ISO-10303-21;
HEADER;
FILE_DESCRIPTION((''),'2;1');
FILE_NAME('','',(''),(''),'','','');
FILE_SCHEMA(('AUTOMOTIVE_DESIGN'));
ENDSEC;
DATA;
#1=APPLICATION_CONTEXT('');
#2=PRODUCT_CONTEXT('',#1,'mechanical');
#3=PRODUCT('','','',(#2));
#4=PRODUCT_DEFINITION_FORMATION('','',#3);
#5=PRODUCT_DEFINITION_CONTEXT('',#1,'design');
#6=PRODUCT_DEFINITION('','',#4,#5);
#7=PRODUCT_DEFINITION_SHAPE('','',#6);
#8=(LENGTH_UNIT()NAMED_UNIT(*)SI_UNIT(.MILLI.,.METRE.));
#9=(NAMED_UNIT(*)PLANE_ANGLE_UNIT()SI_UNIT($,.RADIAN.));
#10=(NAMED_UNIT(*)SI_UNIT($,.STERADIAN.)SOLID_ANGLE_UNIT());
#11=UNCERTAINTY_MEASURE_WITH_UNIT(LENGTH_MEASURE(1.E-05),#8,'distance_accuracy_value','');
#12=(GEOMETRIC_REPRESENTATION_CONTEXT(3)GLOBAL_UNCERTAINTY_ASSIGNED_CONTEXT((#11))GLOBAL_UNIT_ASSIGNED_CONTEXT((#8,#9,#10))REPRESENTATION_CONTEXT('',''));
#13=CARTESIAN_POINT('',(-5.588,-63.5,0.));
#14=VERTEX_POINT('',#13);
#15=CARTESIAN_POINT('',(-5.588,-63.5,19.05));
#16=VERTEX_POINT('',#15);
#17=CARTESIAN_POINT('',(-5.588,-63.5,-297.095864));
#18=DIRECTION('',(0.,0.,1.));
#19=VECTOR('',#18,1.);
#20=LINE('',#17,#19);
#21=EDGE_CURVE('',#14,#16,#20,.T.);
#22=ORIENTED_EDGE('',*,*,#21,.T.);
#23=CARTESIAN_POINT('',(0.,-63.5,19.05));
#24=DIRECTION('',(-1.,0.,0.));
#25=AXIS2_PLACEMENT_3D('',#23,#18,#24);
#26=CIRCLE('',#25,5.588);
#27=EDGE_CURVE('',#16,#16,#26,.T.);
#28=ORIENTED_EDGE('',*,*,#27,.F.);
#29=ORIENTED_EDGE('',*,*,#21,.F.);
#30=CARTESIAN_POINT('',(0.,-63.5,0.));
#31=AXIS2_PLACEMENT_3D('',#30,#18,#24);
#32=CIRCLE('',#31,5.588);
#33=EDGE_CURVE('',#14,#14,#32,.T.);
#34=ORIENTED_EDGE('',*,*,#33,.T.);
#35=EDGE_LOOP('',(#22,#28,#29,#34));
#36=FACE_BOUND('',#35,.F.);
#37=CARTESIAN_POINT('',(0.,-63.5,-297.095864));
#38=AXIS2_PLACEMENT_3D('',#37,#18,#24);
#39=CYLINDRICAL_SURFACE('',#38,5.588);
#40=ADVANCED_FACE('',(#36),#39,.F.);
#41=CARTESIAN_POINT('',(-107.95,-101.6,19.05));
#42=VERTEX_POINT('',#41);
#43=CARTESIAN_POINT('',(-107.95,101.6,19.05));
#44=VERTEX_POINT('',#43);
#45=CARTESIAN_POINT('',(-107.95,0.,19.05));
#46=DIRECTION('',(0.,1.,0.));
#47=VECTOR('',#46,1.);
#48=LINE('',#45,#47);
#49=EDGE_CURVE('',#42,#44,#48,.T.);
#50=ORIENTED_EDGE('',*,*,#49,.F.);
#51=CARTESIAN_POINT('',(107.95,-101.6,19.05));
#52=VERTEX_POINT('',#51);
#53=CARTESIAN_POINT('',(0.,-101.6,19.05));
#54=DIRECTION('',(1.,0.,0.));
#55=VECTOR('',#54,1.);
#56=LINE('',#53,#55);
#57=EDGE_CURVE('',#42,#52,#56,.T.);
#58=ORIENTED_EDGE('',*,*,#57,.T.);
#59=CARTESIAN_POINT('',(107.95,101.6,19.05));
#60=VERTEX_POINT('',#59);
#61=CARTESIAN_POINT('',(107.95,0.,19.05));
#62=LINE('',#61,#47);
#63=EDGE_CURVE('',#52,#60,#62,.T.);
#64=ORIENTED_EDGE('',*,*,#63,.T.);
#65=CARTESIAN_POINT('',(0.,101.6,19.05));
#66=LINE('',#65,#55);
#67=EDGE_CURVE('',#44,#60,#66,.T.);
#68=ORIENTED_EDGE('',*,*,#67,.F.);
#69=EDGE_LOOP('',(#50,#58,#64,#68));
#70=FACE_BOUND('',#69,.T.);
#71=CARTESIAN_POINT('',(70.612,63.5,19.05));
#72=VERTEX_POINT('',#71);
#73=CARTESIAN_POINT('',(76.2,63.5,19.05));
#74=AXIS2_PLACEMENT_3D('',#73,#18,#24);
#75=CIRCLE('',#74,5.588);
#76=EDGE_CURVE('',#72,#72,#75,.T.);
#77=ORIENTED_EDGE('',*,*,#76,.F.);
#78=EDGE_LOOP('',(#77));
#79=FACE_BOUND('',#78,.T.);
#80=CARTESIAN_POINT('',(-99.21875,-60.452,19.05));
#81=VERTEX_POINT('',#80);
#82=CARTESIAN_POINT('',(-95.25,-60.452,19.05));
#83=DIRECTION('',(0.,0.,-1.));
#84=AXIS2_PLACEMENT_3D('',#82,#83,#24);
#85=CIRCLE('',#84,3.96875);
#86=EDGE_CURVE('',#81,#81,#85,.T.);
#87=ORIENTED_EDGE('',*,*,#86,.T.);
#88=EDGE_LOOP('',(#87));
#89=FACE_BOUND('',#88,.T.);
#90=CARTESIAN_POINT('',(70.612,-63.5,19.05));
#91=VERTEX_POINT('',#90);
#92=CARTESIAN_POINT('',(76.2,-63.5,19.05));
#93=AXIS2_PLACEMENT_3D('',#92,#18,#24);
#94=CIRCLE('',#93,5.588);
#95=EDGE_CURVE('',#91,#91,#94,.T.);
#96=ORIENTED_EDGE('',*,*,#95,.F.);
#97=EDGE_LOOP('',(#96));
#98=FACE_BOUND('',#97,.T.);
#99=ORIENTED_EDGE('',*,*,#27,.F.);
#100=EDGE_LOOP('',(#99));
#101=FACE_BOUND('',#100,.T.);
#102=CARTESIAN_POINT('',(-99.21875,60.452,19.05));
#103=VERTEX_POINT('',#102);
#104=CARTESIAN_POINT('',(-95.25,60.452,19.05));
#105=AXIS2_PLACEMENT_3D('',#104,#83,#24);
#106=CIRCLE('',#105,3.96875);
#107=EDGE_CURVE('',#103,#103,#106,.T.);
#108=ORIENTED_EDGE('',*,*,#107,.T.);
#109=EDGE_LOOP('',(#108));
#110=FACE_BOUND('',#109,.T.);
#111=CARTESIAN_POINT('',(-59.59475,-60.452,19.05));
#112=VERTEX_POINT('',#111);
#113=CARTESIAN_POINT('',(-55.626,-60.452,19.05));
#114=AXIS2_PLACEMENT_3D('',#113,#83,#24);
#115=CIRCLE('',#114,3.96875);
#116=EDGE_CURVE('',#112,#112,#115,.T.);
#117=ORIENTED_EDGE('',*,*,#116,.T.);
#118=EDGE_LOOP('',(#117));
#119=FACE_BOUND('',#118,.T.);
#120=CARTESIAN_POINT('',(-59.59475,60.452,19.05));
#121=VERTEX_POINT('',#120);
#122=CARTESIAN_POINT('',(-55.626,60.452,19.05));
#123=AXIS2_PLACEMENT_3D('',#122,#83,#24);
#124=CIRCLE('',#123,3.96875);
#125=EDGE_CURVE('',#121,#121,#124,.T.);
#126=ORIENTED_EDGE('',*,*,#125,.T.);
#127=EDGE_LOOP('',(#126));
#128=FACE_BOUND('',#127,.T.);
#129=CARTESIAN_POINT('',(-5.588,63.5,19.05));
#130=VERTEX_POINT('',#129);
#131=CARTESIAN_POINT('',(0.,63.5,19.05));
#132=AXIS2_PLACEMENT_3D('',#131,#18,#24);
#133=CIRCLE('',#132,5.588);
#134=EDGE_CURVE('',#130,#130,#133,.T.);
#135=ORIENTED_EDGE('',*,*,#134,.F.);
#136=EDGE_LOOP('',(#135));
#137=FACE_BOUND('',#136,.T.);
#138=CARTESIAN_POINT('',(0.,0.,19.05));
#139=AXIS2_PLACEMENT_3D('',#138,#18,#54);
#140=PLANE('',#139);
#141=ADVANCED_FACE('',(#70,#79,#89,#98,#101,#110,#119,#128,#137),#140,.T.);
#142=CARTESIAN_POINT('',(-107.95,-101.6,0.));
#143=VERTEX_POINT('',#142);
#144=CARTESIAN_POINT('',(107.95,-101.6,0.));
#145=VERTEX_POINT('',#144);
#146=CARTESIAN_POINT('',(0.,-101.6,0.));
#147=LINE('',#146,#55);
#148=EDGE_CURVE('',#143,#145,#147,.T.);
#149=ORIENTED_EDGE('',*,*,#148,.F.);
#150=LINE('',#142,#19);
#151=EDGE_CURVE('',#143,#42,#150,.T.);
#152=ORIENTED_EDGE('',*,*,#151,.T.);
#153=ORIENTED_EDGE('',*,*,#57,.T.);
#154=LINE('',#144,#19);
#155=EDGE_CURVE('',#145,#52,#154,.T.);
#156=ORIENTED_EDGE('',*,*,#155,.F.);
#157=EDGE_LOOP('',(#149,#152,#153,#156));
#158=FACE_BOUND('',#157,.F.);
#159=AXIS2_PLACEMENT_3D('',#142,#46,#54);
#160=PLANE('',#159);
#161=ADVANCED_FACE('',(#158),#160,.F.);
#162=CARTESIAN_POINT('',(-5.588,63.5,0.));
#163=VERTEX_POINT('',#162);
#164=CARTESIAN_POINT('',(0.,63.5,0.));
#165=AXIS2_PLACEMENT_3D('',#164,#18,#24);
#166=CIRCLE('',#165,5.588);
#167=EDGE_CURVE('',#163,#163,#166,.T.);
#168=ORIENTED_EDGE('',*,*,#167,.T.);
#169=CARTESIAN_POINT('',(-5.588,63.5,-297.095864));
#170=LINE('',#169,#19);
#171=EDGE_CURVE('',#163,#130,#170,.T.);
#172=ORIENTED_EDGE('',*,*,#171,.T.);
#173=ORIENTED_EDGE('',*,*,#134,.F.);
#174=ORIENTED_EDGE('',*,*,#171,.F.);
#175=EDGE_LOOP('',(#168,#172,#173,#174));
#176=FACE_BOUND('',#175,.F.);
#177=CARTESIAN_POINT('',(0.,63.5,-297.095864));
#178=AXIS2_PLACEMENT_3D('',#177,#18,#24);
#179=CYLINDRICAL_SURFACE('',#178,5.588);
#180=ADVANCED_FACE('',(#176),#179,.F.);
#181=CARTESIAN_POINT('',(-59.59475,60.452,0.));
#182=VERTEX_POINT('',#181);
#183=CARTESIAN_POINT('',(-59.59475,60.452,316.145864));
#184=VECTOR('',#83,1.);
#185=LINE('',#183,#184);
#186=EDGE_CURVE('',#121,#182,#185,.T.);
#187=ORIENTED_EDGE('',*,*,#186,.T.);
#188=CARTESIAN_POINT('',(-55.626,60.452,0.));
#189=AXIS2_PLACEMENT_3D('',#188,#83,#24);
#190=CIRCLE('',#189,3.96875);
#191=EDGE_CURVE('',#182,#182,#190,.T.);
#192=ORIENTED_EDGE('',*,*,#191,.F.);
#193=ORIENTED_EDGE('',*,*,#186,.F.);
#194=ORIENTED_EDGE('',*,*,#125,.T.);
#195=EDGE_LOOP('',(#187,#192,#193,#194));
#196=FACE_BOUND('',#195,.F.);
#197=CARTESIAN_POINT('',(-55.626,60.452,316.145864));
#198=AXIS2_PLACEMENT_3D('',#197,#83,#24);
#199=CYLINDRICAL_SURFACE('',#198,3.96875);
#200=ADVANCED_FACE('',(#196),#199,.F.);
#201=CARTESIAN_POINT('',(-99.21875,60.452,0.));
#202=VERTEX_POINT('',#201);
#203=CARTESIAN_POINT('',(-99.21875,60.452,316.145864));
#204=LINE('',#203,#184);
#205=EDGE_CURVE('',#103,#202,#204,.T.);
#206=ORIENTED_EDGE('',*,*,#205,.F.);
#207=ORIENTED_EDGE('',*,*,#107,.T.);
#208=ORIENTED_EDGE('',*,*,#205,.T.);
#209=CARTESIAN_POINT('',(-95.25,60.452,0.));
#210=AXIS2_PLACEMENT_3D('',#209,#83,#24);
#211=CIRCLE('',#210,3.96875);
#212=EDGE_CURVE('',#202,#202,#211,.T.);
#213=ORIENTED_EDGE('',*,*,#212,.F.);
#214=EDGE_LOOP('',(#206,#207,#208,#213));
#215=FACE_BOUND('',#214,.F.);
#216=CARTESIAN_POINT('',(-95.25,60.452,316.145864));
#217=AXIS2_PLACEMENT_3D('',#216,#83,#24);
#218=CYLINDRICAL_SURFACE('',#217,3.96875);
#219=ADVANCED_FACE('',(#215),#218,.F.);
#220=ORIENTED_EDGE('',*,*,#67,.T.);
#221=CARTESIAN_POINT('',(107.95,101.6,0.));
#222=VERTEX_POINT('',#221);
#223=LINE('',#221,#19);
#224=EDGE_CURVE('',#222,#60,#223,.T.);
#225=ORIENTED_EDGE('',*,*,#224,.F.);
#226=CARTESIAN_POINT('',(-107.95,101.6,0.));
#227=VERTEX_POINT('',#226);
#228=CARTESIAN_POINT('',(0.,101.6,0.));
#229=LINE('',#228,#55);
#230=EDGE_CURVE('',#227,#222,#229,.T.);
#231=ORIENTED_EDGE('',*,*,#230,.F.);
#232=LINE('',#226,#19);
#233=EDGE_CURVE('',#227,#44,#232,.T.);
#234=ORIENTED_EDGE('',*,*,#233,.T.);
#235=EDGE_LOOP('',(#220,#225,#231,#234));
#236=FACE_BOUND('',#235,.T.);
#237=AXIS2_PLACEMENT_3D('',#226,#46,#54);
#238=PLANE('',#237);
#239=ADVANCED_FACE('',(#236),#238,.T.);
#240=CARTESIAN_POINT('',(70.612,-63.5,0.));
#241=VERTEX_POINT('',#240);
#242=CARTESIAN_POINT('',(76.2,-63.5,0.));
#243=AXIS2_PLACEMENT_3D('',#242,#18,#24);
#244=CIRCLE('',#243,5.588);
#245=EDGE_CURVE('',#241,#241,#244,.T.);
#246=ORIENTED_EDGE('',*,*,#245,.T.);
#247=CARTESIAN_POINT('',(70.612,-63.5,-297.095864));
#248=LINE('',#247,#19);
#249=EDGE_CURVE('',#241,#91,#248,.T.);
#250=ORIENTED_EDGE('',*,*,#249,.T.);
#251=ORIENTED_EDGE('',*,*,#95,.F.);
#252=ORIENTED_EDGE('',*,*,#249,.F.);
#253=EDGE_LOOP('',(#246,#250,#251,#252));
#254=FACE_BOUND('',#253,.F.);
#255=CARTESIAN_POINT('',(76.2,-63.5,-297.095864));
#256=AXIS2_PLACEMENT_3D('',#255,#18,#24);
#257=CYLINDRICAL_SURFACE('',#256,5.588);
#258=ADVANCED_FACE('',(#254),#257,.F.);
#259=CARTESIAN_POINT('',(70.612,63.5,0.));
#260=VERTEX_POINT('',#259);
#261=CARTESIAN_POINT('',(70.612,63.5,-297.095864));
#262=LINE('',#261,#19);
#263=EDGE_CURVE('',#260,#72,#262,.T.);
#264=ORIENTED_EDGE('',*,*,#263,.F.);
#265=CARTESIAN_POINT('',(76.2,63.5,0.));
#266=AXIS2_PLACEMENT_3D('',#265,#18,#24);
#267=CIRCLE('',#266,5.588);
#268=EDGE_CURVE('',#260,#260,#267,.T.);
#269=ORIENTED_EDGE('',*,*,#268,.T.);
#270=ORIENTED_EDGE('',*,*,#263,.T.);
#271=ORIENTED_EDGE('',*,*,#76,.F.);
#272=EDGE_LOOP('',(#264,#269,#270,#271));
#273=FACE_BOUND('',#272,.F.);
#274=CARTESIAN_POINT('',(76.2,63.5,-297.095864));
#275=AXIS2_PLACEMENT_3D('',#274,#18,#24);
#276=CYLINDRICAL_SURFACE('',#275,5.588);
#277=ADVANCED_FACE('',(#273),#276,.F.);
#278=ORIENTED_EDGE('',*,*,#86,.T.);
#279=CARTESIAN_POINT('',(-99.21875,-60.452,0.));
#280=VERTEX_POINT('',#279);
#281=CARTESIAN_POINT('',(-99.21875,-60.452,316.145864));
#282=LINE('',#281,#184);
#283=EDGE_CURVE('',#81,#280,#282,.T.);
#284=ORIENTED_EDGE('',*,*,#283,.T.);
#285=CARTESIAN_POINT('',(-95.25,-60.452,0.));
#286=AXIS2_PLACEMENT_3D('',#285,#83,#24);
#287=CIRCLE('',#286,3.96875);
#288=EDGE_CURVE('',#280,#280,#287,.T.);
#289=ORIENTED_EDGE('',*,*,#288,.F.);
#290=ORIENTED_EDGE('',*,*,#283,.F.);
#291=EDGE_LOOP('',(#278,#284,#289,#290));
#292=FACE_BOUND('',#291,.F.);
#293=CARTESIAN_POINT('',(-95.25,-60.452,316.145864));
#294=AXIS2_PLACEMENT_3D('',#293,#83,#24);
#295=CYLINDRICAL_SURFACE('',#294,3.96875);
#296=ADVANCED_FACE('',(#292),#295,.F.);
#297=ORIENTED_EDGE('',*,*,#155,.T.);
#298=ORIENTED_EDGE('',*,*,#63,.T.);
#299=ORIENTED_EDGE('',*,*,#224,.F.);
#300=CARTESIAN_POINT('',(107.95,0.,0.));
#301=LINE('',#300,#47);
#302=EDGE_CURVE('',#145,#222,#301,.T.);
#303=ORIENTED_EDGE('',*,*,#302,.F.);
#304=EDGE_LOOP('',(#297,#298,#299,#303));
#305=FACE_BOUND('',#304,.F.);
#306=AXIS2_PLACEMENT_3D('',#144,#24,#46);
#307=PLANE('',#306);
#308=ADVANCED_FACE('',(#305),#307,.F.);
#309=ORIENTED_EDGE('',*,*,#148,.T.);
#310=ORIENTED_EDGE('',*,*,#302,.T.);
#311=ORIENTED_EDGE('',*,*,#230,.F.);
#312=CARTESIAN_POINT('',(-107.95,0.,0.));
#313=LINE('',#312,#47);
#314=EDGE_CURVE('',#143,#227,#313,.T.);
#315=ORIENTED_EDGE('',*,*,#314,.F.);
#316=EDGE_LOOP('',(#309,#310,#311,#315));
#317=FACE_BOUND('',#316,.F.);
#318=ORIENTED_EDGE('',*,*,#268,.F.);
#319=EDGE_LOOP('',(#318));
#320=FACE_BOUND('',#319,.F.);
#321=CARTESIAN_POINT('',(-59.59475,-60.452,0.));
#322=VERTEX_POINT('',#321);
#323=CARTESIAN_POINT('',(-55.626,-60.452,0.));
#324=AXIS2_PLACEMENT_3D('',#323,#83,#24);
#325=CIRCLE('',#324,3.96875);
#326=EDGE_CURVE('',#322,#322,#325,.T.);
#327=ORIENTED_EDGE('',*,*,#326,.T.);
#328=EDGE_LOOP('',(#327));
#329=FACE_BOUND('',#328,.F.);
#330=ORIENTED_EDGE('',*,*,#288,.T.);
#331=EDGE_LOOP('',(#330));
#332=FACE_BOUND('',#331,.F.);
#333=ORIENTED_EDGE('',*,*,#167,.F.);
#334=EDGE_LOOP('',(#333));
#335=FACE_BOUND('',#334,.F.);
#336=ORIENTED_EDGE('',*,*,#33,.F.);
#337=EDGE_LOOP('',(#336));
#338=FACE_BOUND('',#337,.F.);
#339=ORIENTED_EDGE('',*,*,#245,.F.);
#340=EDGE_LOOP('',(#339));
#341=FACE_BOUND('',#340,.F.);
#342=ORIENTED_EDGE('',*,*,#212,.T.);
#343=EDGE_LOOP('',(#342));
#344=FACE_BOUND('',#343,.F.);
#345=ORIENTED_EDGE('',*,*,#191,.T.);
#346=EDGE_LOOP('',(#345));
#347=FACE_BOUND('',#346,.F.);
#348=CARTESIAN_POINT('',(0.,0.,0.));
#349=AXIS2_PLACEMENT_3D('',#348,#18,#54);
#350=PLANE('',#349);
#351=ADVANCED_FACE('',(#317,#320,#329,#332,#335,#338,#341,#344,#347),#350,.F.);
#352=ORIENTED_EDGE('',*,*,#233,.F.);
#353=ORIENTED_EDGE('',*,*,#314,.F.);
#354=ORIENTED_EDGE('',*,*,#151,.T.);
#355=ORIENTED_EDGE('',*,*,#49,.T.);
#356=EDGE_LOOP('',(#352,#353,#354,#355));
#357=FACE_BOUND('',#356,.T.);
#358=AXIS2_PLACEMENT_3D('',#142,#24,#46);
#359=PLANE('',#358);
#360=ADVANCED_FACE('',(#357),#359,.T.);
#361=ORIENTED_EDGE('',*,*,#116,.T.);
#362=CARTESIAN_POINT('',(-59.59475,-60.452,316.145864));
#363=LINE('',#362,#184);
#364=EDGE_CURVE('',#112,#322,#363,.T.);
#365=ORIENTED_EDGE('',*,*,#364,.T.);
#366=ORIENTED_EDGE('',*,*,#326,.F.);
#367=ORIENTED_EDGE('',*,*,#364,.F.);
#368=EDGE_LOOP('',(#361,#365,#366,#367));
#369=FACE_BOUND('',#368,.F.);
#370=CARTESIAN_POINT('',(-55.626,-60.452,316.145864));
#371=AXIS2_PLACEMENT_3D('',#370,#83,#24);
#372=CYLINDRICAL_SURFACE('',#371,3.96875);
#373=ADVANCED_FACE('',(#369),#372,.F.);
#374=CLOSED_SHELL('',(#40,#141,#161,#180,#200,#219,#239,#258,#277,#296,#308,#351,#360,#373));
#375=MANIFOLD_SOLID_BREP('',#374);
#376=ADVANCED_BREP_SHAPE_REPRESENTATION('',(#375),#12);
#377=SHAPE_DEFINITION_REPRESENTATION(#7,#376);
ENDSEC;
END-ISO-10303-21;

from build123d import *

# Parameters (mm, degrees)
F0_W     = 215.9
F0_H     = 203.2
F1_DEPTH = 19.05
F2_D     = 11.176
F4_D     = 7.9375


with BuildPart() as f1:
    # F0 (on Top) → F1 (new body)
    with BuildSketch(Plane.XY):
        Rectangle(F0_W, F0_H)
    extrude(amount=F1_DEPTH)

    # F2 (through all)
    with Locations(Plane(origin=(0, 0, 0), x_dir=(1, 0, 0), z_dir=(0, 0, -1))):
        with Locations((0, -63.5), (76.2, -63.5), (0, 63.5), (76.2, 63.5)):
            Hole(F2_D / 2)

    # F4 (through all)
    with Locations(Plane.XY.offset(19.05)):
        with Locations((-95.25, 60.452), (-55.626, 60.452), (-95.25, -60.452), (-55.626, -60.452)):
            Hole(F4_D / 2)


solid = f1.part
